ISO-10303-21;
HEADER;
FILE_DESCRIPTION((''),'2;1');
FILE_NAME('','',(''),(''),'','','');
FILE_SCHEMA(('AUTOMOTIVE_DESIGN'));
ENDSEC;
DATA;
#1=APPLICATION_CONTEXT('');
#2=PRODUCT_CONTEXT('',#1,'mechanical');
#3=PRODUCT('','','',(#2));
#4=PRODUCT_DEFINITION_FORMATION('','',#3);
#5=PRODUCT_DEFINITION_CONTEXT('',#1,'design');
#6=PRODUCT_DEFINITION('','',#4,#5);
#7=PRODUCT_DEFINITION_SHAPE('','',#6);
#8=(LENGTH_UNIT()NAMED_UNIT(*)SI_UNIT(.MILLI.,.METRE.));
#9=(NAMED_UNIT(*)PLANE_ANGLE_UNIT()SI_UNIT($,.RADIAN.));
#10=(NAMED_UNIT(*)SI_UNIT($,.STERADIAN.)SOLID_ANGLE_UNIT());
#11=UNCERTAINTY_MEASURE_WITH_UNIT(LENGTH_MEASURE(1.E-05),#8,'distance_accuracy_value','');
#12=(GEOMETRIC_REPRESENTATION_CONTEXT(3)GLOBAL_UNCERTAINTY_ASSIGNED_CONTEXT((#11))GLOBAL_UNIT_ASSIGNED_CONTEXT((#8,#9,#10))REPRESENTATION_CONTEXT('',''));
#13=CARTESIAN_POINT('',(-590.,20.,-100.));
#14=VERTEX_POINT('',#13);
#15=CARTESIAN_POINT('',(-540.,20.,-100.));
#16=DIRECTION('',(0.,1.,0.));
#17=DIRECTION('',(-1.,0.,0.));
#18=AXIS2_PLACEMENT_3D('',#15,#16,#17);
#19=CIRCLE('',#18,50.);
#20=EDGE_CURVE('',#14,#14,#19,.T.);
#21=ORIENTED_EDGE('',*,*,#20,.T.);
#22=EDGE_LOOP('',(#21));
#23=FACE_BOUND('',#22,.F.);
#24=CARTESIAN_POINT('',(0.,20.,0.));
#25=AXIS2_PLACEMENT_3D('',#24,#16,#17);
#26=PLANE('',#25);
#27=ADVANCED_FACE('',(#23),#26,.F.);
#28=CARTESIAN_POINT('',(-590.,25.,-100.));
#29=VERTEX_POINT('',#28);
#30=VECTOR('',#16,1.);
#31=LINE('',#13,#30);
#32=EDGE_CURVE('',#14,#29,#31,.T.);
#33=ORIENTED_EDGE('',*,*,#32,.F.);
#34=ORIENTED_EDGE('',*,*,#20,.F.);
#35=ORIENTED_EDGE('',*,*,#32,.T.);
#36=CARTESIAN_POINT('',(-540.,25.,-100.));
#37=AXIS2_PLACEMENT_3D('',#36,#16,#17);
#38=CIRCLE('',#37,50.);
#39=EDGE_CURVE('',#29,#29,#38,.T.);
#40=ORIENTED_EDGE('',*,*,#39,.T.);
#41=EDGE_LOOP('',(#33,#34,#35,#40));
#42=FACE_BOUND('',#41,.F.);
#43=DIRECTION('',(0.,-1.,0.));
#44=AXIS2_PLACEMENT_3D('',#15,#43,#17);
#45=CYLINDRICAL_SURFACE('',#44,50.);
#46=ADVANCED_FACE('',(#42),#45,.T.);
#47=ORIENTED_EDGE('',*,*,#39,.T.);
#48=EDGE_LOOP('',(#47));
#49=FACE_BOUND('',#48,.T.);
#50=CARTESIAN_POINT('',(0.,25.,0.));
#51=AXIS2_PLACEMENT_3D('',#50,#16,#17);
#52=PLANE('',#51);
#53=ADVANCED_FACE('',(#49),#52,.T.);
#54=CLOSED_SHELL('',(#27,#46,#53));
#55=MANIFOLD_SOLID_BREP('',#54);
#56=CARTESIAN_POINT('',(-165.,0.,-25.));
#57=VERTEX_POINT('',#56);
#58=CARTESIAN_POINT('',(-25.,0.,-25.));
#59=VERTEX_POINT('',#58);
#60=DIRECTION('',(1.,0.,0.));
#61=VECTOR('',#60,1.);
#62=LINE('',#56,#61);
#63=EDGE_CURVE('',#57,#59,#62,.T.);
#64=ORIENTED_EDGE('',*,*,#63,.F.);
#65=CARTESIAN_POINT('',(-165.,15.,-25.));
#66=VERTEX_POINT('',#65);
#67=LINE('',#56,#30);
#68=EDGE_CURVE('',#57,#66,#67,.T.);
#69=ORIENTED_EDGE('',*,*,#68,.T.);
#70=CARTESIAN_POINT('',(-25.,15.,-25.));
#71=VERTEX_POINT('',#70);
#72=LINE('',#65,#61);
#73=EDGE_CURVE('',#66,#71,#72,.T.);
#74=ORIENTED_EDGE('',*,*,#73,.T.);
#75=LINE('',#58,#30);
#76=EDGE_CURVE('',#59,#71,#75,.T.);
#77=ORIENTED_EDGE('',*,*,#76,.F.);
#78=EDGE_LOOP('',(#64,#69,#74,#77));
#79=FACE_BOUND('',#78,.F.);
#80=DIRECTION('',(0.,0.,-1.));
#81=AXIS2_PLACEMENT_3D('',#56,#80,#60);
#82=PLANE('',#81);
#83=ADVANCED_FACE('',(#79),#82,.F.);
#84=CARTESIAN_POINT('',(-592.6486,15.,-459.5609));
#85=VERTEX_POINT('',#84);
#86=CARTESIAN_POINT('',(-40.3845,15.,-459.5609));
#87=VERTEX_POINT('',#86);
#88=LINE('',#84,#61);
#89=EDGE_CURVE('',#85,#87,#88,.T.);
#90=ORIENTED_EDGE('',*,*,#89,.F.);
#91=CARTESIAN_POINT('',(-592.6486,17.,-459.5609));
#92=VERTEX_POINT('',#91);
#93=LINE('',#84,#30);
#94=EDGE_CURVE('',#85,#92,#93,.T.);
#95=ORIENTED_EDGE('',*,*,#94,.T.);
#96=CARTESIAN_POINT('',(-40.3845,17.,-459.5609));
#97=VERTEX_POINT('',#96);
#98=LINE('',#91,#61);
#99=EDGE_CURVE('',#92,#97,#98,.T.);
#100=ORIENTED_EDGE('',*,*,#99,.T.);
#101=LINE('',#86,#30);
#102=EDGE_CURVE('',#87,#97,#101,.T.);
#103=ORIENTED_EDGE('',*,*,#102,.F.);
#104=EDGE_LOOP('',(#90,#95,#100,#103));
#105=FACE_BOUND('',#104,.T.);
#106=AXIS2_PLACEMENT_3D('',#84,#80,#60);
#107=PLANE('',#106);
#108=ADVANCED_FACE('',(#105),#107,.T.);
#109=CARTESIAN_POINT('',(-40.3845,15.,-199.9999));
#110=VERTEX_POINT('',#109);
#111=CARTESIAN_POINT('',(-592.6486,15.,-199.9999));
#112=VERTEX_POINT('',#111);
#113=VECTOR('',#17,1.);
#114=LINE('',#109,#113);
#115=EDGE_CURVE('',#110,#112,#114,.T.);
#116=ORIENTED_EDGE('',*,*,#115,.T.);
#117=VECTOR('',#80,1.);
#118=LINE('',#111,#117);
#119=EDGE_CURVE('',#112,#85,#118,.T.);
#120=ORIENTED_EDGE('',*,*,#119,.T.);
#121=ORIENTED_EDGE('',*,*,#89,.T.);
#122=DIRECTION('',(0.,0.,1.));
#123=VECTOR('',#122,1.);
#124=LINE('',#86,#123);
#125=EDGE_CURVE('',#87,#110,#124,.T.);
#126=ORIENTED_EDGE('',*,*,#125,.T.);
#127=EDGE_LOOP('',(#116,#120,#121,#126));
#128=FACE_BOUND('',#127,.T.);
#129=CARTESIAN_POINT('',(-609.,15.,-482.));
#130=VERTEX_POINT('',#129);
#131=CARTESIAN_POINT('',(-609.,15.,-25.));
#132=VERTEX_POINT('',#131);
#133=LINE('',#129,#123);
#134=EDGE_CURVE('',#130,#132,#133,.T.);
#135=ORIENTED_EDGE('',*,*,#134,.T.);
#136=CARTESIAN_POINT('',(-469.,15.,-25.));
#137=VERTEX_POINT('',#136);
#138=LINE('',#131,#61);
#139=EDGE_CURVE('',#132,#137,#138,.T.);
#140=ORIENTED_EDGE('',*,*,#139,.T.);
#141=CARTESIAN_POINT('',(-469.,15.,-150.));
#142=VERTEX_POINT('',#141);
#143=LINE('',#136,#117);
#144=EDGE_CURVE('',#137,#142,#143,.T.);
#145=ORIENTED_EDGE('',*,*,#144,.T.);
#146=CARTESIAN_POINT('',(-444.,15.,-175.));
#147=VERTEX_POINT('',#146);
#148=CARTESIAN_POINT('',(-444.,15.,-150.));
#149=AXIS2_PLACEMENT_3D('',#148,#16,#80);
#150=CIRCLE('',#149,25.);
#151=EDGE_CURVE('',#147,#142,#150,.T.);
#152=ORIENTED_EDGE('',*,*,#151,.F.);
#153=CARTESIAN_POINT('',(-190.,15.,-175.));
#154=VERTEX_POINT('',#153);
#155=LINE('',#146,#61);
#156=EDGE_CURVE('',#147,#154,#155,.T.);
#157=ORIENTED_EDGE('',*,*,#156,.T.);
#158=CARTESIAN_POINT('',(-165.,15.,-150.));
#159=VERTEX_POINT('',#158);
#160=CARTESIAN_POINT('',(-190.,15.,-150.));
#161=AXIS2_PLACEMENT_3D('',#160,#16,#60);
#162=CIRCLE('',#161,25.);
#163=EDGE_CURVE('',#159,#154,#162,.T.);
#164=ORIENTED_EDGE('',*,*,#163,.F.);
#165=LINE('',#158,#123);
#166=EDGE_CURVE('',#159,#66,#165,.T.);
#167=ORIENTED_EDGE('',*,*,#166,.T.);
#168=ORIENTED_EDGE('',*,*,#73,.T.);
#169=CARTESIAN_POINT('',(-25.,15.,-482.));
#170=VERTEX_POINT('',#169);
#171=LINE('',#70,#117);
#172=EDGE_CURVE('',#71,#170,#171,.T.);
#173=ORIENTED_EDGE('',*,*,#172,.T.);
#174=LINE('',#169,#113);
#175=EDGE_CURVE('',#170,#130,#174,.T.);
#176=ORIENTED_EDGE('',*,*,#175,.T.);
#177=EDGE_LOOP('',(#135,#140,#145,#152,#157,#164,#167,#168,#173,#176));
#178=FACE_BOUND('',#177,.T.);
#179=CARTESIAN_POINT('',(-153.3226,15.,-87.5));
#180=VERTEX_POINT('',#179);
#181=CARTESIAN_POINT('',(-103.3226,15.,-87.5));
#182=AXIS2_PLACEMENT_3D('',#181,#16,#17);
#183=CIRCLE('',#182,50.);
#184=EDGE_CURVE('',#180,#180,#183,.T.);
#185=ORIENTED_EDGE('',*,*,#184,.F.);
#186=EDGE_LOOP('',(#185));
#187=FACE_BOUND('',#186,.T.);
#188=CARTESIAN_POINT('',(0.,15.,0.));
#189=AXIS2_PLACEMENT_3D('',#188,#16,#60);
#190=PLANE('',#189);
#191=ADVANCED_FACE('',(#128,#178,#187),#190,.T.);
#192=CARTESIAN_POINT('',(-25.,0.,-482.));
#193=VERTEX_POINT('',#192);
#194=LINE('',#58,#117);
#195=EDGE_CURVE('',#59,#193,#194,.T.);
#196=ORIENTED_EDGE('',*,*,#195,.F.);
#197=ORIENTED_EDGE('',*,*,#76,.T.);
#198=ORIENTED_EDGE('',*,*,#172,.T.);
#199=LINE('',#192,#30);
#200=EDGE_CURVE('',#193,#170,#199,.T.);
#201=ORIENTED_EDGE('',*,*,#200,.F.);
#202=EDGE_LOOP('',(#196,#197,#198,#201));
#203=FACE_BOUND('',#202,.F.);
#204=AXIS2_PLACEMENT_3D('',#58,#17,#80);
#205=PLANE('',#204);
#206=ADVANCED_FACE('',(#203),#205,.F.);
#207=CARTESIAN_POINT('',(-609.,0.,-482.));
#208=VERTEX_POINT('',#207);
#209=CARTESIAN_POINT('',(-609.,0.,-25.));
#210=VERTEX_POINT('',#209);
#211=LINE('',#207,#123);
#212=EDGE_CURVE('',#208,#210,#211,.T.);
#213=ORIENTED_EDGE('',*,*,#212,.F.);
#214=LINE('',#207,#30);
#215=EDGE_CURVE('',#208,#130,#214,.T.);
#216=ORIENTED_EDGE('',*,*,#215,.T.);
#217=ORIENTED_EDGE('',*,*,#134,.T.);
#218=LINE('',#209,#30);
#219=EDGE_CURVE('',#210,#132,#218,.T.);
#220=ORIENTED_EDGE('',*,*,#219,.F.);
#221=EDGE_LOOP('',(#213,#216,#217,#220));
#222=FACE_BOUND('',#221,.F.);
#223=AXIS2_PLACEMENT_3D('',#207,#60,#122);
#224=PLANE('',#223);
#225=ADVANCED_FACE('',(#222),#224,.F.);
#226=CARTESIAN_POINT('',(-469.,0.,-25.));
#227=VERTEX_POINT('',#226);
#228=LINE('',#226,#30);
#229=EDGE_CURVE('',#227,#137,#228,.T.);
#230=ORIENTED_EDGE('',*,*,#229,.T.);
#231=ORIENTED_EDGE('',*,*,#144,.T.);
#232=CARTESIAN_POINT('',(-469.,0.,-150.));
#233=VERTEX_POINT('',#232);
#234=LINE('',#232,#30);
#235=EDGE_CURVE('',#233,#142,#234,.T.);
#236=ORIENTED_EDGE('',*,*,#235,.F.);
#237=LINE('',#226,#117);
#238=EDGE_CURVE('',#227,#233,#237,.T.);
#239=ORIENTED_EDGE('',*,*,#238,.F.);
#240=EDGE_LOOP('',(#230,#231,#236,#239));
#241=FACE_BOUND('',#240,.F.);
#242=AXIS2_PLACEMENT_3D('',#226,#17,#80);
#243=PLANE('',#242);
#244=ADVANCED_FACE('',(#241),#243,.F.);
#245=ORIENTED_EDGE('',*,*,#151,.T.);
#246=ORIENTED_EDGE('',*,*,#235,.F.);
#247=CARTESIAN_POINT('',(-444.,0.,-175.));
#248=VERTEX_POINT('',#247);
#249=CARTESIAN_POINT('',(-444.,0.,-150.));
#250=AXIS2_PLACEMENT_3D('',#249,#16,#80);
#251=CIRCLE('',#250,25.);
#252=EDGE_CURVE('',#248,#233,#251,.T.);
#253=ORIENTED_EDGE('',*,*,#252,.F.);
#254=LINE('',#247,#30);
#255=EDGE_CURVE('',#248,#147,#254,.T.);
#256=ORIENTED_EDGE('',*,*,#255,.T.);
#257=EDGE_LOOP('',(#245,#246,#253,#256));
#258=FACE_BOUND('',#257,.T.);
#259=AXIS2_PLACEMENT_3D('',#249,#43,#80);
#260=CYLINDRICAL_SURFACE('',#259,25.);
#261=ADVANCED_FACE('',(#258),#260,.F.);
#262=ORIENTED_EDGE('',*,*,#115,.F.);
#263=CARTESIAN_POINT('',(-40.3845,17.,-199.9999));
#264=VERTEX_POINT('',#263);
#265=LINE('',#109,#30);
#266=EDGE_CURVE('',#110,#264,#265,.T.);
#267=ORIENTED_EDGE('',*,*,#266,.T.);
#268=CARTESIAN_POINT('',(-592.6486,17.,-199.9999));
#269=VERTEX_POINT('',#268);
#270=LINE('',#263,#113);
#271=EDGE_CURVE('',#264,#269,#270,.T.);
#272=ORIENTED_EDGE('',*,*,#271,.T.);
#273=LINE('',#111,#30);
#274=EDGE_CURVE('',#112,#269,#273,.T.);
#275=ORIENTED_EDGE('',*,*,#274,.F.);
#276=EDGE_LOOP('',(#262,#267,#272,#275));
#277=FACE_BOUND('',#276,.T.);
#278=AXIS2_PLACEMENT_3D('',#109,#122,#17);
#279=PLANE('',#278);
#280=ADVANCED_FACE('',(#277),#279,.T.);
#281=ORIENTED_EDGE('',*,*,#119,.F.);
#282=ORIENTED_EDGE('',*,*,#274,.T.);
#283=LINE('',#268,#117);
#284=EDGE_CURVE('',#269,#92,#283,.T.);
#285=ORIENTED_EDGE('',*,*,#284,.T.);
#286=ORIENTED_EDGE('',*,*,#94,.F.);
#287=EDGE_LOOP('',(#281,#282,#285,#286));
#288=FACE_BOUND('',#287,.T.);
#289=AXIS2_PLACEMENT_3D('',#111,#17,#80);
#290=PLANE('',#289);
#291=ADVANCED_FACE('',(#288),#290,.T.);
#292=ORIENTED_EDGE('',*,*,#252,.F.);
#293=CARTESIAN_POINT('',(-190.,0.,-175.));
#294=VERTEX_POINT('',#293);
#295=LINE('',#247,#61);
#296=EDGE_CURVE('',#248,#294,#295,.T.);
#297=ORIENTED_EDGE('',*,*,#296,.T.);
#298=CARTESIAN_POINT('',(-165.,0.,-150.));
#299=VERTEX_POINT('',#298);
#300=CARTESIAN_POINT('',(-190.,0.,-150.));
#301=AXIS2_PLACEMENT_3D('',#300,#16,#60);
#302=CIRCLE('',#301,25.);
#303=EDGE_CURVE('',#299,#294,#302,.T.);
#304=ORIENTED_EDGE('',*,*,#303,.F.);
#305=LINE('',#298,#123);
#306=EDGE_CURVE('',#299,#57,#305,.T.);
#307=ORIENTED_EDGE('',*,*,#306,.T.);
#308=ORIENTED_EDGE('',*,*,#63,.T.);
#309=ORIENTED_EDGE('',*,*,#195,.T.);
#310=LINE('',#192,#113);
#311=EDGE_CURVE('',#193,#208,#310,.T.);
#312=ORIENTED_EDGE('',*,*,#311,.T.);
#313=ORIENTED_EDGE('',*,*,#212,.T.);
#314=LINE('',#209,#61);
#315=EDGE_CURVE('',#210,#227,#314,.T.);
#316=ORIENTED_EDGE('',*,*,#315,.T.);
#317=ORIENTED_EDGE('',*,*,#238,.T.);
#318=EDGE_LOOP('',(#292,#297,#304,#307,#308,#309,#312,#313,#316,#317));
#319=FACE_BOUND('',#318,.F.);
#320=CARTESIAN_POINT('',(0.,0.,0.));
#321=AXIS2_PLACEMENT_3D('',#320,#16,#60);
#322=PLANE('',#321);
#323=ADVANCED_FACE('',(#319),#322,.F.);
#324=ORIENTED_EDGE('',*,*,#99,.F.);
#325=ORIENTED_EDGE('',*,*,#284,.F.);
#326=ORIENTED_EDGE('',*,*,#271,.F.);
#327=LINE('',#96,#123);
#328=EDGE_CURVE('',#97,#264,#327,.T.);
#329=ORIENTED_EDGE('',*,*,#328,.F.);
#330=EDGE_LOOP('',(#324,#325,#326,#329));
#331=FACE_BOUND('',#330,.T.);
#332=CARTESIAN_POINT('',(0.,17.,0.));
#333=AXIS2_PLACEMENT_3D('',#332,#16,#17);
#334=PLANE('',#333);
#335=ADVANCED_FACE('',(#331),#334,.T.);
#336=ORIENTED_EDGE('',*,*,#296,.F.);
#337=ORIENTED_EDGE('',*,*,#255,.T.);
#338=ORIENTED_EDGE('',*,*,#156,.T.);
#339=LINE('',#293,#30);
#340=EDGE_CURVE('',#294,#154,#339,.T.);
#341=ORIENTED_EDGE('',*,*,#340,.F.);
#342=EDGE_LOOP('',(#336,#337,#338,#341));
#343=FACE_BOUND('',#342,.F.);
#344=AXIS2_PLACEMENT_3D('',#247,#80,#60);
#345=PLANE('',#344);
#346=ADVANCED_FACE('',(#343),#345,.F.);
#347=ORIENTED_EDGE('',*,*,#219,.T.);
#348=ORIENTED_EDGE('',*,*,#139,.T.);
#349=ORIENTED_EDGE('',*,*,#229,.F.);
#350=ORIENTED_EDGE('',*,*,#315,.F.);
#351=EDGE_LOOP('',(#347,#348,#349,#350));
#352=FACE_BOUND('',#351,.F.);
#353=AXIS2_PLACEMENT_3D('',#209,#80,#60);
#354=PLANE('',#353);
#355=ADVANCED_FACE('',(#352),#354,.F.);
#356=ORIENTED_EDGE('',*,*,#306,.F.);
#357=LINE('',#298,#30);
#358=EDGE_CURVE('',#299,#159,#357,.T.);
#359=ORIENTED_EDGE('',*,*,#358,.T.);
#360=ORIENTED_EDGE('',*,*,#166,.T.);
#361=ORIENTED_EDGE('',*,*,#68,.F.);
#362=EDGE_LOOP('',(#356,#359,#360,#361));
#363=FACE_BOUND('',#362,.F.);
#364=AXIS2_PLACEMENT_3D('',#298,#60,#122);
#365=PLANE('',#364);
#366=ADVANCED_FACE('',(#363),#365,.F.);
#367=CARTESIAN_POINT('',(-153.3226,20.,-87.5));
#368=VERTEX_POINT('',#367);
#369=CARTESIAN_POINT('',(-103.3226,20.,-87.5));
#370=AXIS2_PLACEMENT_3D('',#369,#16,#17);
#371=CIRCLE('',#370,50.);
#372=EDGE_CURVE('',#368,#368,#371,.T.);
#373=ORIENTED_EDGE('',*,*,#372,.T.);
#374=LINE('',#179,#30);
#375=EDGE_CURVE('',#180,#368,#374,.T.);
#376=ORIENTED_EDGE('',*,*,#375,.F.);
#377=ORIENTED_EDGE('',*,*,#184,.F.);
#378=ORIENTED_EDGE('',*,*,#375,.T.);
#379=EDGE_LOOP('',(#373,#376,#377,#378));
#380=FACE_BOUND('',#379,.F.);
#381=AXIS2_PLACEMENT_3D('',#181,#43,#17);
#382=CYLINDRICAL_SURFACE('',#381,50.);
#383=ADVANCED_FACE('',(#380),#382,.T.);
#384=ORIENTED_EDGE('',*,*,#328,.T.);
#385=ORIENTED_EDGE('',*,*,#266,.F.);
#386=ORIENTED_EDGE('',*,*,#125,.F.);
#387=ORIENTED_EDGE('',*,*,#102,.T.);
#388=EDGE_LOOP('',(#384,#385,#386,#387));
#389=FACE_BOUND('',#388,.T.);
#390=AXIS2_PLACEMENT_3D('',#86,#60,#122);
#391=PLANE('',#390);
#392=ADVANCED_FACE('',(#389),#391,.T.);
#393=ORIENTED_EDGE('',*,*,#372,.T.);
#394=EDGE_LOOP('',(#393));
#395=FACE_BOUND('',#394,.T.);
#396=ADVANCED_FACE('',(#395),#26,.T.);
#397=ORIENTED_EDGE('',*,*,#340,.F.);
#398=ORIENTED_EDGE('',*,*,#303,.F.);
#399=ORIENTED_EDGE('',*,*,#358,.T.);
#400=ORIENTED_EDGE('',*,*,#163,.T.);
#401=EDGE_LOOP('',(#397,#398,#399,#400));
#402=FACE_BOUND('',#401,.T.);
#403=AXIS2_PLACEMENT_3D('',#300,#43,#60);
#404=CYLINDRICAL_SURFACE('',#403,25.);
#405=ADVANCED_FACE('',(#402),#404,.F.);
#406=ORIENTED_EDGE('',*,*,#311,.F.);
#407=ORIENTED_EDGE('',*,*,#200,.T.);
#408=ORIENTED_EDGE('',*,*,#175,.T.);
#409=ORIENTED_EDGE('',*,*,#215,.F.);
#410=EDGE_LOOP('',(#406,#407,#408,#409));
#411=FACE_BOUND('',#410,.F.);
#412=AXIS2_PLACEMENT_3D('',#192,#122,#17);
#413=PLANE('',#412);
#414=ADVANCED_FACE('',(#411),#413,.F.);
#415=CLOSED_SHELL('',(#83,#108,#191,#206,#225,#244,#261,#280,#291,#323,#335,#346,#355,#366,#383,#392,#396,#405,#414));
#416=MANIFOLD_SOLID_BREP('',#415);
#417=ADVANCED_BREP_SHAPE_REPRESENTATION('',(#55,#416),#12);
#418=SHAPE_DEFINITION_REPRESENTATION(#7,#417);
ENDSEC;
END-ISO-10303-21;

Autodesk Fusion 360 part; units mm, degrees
sketch "Sketch1" plane through (0, 0, 0) normal (0, 1, 0) x (1, 0, 0)
  line L0 (-25, 25) -> (-25, 482)
  line L1 (-25, 482) -> (-609, 482)
  line L2 (-609, 482) -> (-609, 25)
  line L3 (-609, 25) -> (-469, 25)
  line L4 (-444, 175) -> (-190, 175)
  line L5 (-469, 25) -> (-469, 150)
  arc A0 (-444, 175) -> (-469, 150) centre (-444, 150) ccw
  line L6 (-165, 25) -> (-25, 25)
  line L7 (-165, 150) -> (-165, 25)
  arc A1 (-165, 150) -> (-190, 175) centre (-190, 150) ccw
  point P0 (-469, 175)
  point P1 (-165, 175)
  dimension "d1" = 457
  dimension "d2" = 584
  dimension "d3" = 457
  dimension "d5" = 304
  dimension "d7" = 25
  dimension "d8" = 25
extrude "Extrude1" add sketch "Sketch1" along normal blind 15 makes body 1
sketch "Sketch2" plane through (0, 15, 0) normal (0, 1, 0) x (-1, 0, 0)
  line L0 (165, -25) -> (25, -25)
  line L1 (25, -25) -> (25, -482)
  line L2 (25, -482) -> (609, -482)
  line L3 (609, -482) -> (609, -25)
  line L4 (609, -25) -> (469, -25)
  line L5 (469, -25) -> (469, -150)
  arc A0 (444, -175) -> (469, -150) centre (444, -150) ccw
  line L6 (444, -175) -> (190, -175)
  arc A1 (165, -150) -> (190, -175) centre (190, -150) ccw
  line L7 (165, -150) -> (165, -25)
  circle A2 centre (103.3226, -87.5) radius 50
  dimension "d11" = 100
extrude "Extrude2" add sketch "Sketch2" along normal blind 5 contours A2 bodies 1
sketch "Sketch3" plane through (0, 20, 0) normal (0, 1, 0) x (-1, 0, 0)
  circle A0 centre (103.3226, -87.5) radius 50
  circle A1 centre (540, -100) radius 50
  dimension "d14" = 100
extrude "Extrude3" add sketch "Sketch3" along normal blind 5 separate body contours A1 makes body 2
sketch "Sketch4" plane through (0, 15, 0) normal (0, 1, 0) x (-1, 0, 0)
  circle A0 centre (103.3226, -87.5) radius 50
  line L0 (165, -25) -> (25, -25)
  line L1 (25, -25) -> (25, -482)
  line L2 (25, -482) -> (609, -482)
  line L3 (609, -482) -> (609, -25)
  line L4 (609, -25) -> (469, -25)
  line L5 (469, -25) -> (469, -150)
  arc A1 (444, -175) -> (469, -150) centre (444, -150) ccw
  line L6 (444, -175) -> (190, -175)
  arc A2 (165, -150) -> (190, -175) centre (190, -150) ccw
  line L7 (165, -150) -> (165, -25)
  line L8 (592.6486, -459.5609) -> (40.3845, -459.5609)
  line L9 (40.3845, -459.5609) -> (40.3845, -199.9999)
  line L10 (40.3845, -199.9999) -> (592.6486, -199.9999)
  line L11 (592.6486, -199.9999) -> (592.6486, -459.5609)
  dimension "d17" = 259.561
extrude "Extrude4" add sketch "Sketch4" along normal blind 2 contours L8 L9 L10 L11 bodies 1
